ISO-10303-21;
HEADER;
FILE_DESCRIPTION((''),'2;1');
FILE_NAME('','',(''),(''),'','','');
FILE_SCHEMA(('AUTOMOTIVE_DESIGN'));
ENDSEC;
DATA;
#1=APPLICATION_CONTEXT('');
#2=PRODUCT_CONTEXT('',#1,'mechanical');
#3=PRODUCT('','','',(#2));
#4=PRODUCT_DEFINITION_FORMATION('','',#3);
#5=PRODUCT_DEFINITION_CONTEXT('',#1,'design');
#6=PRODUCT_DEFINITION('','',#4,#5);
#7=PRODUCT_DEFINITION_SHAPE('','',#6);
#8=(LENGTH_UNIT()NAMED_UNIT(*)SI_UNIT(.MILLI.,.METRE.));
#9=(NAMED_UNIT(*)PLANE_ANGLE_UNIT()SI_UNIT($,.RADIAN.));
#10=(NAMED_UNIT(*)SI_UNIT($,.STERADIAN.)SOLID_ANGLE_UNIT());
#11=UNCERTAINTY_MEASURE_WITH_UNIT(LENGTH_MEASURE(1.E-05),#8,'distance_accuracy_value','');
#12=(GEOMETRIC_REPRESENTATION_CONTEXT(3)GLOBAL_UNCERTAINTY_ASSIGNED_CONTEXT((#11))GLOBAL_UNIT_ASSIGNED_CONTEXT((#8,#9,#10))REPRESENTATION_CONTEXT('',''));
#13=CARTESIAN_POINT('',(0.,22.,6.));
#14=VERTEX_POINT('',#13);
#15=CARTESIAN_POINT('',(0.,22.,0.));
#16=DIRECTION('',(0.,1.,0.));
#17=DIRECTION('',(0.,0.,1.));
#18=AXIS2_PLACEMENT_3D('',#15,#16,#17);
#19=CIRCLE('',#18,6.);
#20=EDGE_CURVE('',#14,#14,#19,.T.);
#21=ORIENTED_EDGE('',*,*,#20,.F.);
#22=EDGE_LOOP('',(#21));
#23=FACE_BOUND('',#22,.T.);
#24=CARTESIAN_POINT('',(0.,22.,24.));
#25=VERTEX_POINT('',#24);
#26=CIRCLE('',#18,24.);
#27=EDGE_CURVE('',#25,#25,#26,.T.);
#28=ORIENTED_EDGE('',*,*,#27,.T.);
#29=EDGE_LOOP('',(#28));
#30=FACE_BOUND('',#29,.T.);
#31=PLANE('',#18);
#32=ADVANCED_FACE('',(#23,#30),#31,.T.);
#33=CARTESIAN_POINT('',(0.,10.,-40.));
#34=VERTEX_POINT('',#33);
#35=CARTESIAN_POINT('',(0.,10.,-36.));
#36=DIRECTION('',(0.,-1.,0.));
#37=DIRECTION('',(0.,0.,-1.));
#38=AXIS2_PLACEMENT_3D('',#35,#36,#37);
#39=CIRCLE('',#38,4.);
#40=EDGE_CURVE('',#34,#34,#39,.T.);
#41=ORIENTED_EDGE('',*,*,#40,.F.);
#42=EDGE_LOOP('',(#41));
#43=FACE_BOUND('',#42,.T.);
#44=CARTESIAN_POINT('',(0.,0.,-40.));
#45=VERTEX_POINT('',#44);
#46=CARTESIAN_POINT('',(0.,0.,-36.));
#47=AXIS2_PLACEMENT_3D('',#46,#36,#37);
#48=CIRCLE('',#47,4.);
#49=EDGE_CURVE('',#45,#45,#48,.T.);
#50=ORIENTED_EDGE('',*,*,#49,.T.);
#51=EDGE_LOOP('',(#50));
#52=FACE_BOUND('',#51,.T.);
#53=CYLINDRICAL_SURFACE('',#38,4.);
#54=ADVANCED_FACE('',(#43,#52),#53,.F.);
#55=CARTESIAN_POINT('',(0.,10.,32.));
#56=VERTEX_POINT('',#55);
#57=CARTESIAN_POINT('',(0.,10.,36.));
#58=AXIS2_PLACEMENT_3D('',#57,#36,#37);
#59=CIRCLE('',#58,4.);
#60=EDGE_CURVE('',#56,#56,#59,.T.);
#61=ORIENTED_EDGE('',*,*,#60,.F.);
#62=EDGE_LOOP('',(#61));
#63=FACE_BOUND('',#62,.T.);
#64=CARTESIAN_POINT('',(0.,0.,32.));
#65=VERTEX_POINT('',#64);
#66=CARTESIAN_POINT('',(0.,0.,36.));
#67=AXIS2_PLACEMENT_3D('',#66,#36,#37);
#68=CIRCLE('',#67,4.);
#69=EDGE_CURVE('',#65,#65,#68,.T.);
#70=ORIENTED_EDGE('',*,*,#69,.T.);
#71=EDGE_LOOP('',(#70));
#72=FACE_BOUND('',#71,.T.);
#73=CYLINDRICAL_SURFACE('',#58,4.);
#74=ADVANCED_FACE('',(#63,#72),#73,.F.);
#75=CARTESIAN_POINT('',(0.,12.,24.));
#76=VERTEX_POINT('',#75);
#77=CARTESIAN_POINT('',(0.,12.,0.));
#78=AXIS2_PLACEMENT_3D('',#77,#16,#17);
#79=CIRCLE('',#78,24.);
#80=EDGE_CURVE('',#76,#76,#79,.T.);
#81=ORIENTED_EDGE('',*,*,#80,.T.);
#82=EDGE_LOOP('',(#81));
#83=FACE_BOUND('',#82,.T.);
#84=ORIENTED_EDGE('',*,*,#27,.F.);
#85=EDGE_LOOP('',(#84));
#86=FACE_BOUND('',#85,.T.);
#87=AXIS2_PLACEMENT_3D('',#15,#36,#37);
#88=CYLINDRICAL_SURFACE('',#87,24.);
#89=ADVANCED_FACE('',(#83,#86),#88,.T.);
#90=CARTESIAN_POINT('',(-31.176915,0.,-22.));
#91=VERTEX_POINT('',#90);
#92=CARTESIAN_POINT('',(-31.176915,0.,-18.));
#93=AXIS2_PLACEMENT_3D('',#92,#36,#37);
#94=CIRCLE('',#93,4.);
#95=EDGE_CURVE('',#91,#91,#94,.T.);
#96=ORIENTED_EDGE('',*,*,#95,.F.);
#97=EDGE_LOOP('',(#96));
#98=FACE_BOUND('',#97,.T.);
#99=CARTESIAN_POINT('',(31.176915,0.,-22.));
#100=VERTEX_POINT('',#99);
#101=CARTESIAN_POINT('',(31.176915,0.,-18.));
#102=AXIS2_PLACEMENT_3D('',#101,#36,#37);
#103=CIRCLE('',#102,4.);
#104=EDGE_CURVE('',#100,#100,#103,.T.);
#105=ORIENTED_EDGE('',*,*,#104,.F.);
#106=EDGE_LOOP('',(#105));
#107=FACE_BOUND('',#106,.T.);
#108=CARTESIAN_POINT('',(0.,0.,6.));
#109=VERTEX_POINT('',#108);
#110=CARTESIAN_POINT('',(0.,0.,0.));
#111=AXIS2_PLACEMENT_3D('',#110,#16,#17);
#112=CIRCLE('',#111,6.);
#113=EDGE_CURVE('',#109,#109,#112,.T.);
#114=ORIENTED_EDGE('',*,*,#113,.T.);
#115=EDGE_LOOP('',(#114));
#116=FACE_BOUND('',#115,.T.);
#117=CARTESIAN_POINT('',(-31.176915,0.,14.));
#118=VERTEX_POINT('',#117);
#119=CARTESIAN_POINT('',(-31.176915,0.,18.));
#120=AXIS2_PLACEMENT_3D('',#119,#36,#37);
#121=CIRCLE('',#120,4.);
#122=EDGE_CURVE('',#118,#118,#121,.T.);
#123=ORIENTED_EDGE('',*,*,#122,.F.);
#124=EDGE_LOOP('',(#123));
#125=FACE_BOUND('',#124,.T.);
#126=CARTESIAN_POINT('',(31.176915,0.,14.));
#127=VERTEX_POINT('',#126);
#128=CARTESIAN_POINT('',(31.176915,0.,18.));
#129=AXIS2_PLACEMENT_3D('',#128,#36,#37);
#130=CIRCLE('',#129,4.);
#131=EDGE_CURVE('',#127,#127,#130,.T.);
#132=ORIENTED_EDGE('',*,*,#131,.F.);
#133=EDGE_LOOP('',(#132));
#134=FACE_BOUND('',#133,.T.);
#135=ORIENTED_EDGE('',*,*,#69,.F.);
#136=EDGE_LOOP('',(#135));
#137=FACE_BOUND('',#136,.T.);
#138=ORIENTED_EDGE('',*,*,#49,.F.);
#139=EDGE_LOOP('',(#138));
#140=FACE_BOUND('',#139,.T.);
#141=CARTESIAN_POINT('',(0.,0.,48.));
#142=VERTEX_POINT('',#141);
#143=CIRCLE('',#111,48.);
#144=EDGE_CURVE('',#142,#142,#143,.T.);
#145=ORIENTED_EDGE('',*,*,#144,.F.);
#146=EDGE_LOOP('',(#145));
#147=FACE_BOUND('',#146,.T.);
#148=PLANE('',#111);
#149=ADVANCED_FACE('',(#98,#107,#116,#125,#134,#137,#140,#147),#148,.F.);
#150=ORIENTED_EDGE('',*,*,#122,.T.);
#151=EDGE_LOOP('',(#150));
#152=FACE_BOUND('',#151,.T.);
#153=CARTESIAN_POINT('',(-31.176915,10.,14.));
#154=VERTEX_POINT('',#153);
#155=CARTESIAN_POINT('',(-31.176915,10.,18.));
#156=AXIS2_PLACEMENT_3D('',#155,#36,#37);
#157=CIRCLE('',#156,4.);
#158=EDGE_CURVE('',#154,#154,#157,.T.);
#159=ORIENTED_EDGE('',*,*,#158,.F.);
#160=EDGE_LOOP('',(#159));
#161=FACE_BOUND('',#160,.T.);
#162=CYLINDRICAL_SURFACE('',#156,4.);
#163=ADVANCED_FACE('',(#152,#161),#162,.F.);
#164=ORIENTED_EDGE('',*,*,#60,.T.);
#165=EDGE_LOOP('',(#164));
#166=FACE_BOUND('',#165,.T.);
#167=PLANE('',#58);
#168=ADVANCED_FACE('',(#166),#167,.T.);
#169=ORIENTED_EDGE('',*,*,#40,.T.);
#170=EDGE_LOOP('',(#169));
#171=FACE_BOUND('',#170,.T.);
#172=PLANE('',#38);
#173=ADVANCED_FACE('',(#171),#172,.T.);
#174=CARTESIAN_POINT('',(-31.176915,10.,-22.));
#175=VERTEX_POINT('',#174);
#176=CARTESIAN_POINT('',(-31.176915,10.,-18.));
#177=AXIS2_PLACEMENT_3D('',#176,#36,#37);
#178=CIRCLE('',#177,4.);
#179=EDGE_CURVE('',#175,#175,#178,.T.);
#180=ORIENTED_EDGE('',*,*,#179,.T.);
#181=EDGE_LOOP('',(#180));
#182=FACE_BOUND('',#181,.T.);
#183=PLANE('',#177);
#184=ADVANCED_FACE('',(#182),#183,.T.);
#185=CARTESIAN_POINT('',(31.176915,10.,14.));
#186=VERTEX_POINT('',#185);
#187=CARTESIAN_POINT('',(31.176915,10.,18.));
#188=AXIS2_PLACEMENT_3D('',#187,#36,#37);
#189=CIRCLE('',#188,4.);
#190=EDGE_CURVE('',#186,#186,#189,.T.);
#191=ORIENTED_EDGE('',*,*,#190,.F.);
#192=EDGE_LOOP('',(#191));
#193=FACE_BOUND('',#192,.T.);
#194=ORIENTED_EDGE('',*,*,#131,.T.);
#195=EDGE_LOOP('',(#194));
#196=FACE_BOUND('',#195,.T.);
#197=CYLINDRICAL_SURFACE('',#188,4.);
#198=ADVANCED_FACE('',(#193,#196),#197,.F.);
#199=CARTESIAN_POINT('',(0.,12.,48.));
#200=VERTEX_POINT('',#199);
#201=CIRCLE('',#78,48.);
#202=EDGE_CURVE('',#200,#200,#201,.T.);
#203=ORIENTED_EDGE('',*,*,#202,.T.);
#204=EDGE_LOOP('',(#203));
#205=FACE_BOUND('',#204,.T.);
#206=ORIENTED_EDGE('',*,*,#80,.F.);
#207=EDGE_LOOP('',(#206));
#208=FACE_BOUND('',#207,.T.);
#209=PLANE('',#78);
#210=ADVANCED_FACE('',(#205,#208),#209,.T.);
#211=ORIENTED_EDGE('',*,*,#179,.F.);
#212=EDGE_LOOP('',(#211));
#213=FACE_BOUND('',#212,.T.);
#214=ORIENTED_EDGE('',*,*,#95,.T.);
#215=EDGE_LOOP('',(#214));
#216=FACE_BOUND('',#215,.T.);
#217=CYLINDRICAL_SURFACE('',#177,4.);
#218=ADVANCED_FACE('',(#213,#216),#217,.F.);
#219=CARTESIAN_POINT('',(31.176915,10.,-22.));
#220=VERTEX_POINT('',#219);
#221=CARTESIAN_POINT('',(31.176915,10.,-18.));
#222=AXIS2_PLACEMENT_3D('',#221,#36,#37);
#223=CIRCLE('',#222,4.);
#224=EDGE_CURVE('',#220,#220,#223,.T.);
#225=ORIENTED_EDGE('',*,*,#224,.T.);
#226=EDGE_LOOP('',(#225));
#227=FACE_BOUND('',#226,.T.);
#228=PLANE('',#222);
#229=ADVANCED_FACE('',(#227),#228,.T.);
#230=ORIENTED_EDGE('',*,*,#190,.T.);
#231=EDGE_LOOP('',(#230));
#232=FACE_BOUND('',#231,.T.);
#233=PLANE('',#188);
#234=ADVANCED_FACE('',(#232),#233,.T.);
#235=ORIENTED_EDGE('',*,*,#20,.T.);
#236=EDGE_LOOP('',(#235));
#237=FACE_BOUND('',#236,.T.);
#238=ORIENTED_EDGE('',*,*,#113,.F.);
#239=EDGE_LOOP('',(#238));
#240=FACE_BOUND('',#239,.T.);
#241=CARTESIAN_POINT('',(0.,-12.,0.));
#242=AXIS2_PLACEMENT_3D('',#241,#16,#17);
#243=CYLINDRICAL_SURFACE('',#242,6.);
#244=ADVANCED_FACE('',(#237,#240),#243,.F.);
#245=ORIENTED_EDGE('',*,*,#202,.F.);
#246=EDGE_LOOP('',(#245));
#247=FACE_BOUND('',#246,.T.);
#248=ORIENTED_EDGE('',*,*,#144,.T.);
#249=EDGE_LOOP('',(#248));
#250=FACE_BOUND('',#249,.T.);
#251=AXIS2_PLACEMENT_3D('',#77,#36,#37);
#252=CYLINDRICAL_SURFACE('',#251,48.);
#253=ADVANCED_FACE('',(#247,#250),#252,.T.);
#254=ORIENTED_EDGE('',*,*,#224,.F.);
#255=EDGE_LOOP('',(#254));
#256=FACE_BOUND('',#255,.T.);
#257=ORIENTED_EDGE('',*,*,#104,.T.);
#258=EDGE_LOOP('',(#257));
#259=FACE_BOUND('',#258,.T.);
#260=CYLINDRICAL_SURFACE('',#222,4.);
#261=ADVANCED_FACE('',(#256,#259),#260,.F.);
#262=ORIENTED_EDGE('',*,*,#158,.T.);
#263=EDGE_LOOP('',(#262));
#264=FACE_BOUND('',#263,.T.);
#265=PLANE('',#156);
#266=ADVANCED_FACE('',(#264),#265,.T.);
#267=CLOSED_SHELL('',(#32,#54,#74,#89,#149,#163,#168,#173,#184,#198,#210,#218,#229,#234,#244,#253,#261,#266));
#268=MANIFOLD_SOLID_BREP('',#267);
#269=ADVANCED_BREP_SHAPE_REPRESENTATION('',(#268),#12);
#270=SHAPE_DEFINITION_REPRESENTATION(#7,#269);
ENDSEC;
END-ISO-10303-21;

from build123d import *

# Parameters (mm, degrees)
SKETCH1_R           = 48
BOSS_EXTRUDE1_DEPTH = 12
SKETCH2_R           = 24
BOSS_EXTRUDE2_DEPTH = 10
SKETCH3_R           = 6
CUT_EXTRUDE1_DEPTH  = 34
SKETCH4_R           = 4
CUT_EXTRUDE2_DEPTH  = 10


with BuildPart() as part:
    # Sketch1 → Boss-Extrude1 (new body)
    with BuildSketch(Plane(origin=(0, 0, 0), x_dir=(1, 0, 0), z_dir=(0, 1, 0))):
        Circle(SKETCH1_R)
    extrude(amount=BOSS_EXTRUDE1_DEPTH)

    # Sketch2 → Boss-Extrude2 (add)
    with BuildSketch(Plane(origin=(0, 12, 0), x_dir=(1, 0, 0), z_dir=(0, 1, 0))):
        Circle(SKETCH2_R)
    extrude(amount=BOSS_EXTRUDE2_DEPTH)

    # Sketch3 → Cut-Extrude1 (cut)
    with BuildSketch(Plane(origin=(0, 22, 0), x_dir=(1, 0, 0), z_dir=(0, 1, 0))):
        Circle(SKETCH3_R)
    extrude(amount=-CUT_EXTRUDE1_DEPTH, mode=Mode.SUBTRACT)

    # Sketch4 → Cut-Extrude2 (cut)
    with BuildSketch(Plane.XZ):
        with Locations((0, 36)):
            Circle(SKETCH4_R)
        with Locations((31.176914536, 18)):
            Circle(SKETCH4_R)
        with Locations((31.176914536, -18)):
            Circle(SKETCH4_R)
        with Locations((0, -36)):
            Circle(SKETCH4_R)
        with Locations((-31.176914536, -18)):
            Circle(SKETCH4_R)
        with Locations((-31.176914536, 18)):
            Circle(SKETCH4_R)
    extrude(amount=-CUT_EXTRUDE2_DEPTH, mode=Mode.SUBTRACT)


solid = part.part
